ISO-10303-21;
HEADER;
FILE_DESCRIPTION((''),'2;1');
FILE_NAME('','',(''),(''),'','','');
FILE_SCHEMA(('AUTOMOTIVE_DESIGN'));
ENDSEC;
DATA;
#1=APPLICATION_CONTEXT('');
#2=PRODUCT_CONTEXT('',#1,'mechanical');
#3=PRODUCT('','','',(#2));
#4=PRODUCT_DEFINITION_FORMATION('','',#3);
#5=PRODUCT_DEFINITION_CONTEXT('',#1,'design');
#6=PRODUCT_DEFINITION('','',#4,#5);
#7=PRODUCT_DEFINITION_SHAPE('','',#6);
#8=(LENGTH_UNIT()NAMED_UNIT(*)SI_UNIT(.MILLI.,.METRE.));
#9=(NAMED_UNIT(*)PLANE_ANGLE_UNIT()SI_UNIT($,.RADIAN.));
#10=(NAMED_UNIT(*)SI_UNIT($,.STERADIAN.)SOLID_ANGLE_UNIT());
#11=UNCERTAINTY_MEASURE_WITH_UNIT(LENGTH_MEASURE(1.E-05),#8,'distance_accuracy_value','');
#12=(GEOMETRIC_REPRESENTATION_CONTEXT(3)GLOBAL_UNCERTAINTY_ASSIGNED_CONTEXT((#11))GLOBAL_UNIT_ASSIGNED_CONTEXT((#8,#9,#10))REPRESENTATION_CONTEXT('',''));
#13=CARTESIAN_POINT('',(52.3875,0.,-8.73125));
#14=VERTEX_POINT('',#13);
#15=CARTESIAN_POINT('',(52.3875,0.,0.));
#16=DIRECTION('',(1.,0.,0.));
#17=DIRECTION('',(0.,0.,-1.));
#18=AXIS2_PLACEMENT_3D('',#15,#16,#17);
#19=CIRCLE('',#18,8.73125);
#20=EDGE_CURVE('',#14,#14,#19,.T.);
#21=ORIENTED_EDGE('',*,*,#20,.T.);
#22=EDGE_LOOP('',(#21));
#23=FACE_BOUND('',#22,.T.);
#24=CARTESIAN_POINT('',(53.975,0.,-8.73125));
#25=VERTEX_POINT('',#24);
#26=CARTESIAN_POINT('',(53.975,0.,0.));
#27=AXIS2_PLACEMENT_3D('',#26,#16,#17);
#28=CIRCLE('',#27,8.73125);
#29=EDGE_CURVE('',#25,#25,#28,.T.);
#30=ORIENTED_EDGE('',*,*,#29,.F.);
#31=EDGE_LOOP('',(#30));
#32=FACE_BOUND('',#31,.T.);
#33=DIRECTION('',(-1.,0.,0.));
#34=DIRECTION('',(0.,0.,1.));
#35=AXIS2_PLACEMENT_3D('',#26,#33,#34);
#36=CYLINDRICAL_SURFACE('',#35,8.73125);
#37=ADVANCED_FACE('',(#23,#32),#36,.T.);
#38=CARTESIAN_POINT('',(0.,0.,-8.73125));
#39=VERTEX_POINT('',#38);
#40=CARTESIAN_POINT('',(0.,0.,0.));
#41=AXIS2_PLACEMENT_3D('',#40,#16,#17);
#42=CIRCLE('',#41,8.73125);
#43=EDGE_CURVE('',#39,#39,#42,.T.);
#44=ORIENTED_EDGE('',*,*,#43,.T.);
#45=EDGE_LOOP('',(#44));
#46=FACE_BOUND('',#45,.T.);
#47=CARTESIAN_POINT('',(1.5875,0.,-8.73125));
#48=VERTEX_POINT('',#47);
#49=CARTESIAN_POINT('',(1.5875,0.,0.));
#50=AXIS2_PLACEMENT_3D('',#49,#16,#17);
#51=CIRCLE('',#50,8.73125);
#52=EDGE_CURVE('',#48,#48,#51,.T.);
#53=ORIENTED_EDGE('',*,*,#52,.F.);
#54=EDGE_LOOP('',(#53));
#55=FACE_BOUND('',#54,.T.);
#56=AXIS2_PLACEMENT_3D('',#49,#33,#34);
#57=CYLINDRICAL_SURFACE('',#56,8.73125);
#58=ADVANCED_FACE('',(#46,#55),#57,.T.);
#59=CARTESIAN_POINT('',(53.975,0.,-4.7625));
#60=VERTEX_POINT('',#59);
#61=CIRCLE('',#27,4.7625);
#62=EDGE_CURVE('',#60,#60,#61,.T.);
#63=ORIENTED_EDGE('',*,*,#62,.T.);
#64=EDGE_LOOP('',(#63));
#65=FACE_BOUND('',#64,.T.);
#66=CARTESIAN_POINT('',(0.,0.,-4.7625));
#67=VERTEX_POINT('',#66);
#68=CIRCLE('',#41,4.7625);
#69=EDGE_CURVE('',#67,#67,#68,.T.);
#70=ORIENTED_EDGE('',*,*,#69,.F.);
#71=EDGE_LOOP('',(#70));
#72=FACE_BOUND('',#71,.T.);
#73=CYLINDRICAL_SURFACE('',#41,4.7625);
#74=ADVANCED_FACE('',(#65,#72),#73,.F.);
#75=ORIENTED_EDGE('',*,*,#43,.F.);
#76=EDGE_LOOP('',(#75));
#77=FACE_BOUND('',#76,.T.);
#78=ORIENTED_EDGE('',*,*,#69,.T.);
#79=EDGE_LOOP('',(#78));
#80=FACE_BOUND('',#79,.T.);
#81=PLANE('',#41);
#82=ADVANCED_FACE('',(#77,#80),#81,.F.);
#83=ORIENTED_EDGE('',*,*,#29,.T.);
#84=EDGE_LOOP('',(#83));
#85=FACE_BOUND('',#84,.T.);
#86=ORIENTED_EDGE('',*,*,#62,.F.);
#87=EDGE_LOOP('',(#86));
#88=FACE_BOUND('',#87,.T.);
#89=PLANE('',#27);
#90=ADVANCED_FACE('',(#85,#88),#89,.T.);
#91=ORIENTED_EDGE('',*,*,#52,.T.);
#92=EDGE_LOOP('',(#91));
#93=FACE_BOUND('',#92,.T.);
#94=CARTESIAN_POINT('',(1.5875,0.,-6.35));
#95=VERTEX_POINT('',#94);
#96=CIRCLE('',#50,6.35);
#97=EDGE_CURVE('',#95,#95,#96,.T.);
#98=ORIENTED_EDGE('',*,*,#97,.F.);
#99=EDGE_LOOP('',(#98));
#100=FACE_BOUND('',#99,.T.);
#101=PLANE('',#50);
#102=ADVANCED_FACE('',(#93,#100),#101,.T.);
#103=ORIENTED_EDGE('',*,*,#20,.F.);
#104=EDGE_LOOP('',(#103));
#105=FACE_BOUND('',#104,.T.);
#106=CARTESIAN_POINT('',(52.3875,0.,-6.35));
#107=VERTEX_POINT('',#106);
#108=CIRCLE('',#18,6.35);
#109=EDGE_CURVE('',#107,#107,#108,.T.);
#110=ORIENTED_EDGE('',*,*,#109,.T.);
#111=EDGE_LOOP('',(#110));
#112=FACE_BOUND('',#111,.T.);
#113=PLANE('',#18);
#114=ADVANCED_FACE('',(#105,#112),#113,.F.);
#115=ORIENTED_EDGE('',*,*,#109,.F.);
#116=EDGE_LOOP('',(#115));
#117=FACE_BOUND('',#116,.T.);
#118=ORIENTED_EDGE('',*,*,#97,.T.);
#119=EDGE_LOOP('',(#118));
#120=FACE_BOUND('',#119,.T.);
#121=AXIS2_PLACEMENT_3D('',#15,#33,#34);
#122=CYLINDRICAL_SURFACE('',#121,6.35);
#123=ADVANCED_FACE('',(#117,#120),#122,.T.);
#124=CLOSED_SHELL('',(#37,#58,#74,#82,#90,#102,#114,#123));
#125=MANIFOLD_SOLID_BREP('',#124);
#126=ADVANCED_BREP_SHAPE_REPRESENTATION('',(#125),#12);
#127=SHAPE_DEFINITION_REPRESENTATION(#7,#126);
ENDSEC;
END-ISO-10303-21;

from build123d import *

# Parameters (mm, degrees)
SKETCH1_R           = 8.73125
BOSS_EXTRUDE1_DEPTH = 1.5875
SKETCH2_R           = 6.35
BOSS_EXTRUDE2_DEPTH = 50.8
SKETCH3_R           = 8.73125
BOSS_EXTRUDE3_DEPTH = 1.5875
SKETCH4_R           = 4.7625
CUT_EXTRUDE1_DEPTH  = 56.369396584


with BuildPart() as part:
    # Sketch1 → Boss-Extrude1 (new body)
    with BuildSketch(Plane(origin=(0, 0, 0), x_dir=(0, 0, -1), z_dir=(1, 0, 0))):
        Circle(SKETCH1_R)
    extrude(amount=BOSS_EXTRUDE1_DEPTH)

    # Sketch2 → Boss-Extrude2 (add)
    with BuildSketch(Plane(origin=(1.5875, 0, 0), x_dir=(0, 0, -1), z_dir=(1, 0, 0))):
        Circle(SKETCH2_R)
    extrude(amount=BOSS_EXTRUDE2_DEPTH)

    # Sketch3 → Boss-Extrude3 (add)
    with BuildSketch(Plane(origin=(52.3875, 0, 0), x_dir=(0, 0, -1), z_dir=(1, 0, 0))):
        Circle(SKETCH3_R)
    extrude(amount=BOSS_EXTRUDE3_DEPTH)

    # Sketch4 → Cut-Extrude1 (cut, through all)
    with BuildSketch(Plane(origin=(53.975, 0, 0), x_dir=(0, 0, -1), z_dir=(1, 0, 0))):
        Circle(SKETCH4_R)
    extrude(amount=-CUT_EXTRUDE1_DEPTH, mode=Mode.SUBTRACT)


solid = part.part
